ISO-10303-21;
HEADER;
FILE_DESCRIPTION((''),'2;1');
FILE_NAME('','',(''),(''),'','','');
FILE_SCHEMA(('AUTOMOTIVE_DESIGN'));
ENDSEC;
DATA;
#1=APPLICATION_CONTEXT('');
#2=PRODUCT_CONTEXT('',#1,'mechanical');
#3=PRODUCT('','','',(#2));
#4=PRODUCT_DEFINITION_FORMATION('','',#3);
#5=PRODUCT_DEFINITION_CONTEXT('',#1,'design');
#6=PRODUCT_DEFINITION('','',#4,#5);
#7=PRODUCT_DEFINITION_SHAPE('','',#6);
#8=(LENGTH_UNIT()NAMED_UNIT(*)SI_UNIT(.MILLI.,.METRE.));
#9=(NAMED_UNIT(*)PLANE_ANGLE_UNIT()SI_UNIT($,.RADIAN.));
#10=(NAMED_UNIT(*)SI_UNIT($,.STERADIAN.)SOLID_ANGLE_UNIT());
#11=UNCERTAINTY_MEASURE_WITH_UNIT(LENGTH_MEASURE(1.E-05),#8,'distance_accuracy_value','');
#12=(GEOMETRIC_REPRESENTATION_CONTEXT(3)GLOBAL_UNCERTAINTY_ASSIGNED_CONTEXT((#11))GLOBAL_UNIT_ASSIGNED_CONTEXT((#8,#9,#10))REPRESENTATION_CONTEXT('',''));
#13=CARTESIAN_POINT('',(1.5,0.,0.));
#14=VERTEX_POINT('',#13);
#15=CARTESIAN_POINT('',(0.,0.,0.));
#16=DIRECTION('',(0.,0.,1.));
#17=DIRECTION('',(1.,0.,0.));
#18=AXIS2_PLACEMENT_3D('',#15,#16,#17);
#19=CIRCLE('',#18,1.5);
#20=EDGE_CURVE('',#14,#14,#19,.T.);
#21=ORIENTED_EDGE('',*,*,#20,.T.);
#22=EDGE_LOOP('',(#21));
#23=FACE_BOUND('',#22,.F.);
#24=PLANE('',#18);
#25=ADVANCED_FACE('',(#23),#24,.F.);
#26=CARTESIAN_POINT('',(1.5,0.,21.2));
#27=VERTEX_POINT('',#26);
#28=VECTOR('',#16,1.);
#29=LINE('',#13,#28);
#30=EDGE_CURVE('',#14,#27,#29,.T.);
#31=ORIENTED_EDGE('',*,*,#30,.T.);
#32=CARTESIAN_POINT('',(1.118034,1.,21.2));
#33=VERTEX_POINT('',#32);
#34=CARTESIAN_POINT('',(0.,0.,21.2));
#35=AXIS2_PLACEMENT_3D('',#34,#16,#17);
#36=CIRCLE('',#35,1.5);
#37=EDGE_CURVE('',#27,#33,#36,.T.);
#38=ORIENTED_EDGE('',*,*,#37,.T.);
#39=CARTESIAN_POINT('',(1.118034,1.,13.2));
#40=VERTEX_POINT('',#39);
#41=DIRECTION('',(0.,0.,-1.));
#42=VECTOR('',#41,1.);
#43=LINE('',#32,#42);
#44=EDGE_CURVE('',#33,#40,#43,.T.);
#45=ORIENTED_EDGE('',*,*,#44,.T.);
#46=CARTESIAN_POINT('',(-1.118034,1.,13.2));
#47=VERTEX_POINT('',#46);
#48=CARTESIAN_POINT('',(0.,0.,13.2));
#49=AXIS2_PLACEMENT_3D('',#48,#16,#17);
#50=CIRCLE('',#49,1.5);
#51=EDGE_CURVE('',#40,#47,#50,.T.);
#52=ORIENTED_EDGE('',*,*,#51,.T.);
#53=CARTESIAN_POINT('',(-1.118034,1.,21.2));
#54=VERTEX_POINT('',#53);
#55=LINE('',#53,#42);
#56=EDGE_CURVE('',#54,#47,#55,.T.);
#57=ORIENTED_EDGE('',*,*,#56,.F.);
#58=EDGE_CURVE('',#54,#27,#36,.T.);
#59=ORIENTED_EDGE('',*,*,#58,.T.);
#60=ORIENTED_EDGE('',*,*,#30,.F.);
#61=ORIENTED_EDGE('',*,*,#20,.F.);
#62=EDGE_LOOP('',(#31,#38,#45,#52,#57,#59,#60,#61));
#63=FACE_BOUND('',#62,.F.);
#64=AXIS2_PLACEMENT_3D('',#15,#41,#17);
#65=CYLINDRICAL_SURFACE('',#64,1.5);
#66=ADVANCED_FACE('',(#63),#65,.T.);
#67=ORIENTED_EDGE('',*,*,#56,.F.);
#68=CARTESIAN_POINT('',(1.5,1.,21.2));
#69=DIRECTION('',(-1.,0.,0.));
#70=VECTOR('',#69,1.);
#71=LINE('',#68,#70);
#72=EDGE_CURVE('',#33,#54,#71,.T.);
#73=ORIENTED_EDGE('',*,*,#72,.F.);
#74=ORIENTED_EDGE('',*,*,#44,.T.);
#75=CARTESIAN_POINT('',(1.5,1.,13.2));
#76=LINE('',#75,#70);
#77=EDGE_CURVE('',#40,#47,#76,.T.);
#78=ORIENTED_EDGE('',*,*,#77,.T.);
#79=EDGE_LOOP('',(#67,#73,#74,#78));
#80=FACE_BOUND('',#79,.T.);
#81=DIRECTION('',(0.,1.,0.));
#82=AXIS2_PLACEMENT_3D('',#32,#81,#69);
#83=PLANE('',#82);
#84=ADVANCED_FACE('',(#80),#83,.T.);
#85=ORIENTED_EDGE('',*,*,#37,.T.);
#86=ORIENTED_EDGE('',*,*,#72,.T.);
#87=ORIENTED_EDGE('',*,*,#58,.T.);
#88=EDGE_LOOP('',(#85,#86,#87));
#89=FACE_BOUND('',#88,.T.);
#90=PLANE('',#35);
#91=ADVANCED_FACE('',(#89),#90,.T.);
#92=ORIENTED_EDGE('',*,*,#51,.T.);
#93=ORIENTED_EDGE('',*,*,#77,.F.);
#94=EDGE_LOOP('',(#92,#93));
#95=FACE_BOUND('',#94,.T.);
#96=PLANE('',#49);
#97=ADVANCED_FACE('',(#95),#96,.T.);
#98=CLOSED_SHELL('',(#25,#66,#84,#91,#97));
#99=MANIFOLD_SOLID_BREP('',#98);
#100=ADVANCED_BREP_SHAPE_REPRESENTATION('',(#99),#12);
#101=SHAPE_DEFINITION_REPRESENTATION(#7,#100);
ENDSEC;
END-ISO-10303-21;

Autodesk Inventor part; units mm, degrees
ref_plane "YZ Plane" through (0, 0, 0) normal (1, 0, 0) x (0, 1, 0)
ref_plane "XZ Plane" through (0, 0, 0) normal (0, 1, 0) x (-1, 0, 0)
ref_plane "XY Plane" through (0, 0, 0) normal (0, 0, 1) x (1, 0, 0)
sketch "Эскиз1" plane through (0, 0, 0) normal (0, 0, 1) x (1, 0, 0)
  circle A0 centre (0, 0) radius 1.5
  dimension "d0" = 3
extrude "Выдавливание1" add sketch "Эскиз1" along normal blind 21.2
sketch "Эскиз2" plane through (0, 0, 21.2) normal (0, 0, 1) x (1, 0, 0)
  line L0 (-1.5, -1) -> (1.5, -1)
  line L1 (1.5, -1) -> (1.5, 1)
  line L2 (1.5, 1) -> (-1.5, 1)
  line L3 (-1.5, 1) -> (-1.5, -1)
  line L4 (-1.5, -1) -> (1.5, 1) construction
  line L5 (1.5, -1) -> (-1.5, 1) construction
  circle A0 centre (0, 0) radius 1.5
  point P0 (-1.118, 1)
  point P1 (1.118, 1)
  dimension "d3" = 2
extrude "Выдавливание2" cut sketch "Эскиз2" against normal blind 8 contours A0 L2
properties part number "Ось 3мм"
